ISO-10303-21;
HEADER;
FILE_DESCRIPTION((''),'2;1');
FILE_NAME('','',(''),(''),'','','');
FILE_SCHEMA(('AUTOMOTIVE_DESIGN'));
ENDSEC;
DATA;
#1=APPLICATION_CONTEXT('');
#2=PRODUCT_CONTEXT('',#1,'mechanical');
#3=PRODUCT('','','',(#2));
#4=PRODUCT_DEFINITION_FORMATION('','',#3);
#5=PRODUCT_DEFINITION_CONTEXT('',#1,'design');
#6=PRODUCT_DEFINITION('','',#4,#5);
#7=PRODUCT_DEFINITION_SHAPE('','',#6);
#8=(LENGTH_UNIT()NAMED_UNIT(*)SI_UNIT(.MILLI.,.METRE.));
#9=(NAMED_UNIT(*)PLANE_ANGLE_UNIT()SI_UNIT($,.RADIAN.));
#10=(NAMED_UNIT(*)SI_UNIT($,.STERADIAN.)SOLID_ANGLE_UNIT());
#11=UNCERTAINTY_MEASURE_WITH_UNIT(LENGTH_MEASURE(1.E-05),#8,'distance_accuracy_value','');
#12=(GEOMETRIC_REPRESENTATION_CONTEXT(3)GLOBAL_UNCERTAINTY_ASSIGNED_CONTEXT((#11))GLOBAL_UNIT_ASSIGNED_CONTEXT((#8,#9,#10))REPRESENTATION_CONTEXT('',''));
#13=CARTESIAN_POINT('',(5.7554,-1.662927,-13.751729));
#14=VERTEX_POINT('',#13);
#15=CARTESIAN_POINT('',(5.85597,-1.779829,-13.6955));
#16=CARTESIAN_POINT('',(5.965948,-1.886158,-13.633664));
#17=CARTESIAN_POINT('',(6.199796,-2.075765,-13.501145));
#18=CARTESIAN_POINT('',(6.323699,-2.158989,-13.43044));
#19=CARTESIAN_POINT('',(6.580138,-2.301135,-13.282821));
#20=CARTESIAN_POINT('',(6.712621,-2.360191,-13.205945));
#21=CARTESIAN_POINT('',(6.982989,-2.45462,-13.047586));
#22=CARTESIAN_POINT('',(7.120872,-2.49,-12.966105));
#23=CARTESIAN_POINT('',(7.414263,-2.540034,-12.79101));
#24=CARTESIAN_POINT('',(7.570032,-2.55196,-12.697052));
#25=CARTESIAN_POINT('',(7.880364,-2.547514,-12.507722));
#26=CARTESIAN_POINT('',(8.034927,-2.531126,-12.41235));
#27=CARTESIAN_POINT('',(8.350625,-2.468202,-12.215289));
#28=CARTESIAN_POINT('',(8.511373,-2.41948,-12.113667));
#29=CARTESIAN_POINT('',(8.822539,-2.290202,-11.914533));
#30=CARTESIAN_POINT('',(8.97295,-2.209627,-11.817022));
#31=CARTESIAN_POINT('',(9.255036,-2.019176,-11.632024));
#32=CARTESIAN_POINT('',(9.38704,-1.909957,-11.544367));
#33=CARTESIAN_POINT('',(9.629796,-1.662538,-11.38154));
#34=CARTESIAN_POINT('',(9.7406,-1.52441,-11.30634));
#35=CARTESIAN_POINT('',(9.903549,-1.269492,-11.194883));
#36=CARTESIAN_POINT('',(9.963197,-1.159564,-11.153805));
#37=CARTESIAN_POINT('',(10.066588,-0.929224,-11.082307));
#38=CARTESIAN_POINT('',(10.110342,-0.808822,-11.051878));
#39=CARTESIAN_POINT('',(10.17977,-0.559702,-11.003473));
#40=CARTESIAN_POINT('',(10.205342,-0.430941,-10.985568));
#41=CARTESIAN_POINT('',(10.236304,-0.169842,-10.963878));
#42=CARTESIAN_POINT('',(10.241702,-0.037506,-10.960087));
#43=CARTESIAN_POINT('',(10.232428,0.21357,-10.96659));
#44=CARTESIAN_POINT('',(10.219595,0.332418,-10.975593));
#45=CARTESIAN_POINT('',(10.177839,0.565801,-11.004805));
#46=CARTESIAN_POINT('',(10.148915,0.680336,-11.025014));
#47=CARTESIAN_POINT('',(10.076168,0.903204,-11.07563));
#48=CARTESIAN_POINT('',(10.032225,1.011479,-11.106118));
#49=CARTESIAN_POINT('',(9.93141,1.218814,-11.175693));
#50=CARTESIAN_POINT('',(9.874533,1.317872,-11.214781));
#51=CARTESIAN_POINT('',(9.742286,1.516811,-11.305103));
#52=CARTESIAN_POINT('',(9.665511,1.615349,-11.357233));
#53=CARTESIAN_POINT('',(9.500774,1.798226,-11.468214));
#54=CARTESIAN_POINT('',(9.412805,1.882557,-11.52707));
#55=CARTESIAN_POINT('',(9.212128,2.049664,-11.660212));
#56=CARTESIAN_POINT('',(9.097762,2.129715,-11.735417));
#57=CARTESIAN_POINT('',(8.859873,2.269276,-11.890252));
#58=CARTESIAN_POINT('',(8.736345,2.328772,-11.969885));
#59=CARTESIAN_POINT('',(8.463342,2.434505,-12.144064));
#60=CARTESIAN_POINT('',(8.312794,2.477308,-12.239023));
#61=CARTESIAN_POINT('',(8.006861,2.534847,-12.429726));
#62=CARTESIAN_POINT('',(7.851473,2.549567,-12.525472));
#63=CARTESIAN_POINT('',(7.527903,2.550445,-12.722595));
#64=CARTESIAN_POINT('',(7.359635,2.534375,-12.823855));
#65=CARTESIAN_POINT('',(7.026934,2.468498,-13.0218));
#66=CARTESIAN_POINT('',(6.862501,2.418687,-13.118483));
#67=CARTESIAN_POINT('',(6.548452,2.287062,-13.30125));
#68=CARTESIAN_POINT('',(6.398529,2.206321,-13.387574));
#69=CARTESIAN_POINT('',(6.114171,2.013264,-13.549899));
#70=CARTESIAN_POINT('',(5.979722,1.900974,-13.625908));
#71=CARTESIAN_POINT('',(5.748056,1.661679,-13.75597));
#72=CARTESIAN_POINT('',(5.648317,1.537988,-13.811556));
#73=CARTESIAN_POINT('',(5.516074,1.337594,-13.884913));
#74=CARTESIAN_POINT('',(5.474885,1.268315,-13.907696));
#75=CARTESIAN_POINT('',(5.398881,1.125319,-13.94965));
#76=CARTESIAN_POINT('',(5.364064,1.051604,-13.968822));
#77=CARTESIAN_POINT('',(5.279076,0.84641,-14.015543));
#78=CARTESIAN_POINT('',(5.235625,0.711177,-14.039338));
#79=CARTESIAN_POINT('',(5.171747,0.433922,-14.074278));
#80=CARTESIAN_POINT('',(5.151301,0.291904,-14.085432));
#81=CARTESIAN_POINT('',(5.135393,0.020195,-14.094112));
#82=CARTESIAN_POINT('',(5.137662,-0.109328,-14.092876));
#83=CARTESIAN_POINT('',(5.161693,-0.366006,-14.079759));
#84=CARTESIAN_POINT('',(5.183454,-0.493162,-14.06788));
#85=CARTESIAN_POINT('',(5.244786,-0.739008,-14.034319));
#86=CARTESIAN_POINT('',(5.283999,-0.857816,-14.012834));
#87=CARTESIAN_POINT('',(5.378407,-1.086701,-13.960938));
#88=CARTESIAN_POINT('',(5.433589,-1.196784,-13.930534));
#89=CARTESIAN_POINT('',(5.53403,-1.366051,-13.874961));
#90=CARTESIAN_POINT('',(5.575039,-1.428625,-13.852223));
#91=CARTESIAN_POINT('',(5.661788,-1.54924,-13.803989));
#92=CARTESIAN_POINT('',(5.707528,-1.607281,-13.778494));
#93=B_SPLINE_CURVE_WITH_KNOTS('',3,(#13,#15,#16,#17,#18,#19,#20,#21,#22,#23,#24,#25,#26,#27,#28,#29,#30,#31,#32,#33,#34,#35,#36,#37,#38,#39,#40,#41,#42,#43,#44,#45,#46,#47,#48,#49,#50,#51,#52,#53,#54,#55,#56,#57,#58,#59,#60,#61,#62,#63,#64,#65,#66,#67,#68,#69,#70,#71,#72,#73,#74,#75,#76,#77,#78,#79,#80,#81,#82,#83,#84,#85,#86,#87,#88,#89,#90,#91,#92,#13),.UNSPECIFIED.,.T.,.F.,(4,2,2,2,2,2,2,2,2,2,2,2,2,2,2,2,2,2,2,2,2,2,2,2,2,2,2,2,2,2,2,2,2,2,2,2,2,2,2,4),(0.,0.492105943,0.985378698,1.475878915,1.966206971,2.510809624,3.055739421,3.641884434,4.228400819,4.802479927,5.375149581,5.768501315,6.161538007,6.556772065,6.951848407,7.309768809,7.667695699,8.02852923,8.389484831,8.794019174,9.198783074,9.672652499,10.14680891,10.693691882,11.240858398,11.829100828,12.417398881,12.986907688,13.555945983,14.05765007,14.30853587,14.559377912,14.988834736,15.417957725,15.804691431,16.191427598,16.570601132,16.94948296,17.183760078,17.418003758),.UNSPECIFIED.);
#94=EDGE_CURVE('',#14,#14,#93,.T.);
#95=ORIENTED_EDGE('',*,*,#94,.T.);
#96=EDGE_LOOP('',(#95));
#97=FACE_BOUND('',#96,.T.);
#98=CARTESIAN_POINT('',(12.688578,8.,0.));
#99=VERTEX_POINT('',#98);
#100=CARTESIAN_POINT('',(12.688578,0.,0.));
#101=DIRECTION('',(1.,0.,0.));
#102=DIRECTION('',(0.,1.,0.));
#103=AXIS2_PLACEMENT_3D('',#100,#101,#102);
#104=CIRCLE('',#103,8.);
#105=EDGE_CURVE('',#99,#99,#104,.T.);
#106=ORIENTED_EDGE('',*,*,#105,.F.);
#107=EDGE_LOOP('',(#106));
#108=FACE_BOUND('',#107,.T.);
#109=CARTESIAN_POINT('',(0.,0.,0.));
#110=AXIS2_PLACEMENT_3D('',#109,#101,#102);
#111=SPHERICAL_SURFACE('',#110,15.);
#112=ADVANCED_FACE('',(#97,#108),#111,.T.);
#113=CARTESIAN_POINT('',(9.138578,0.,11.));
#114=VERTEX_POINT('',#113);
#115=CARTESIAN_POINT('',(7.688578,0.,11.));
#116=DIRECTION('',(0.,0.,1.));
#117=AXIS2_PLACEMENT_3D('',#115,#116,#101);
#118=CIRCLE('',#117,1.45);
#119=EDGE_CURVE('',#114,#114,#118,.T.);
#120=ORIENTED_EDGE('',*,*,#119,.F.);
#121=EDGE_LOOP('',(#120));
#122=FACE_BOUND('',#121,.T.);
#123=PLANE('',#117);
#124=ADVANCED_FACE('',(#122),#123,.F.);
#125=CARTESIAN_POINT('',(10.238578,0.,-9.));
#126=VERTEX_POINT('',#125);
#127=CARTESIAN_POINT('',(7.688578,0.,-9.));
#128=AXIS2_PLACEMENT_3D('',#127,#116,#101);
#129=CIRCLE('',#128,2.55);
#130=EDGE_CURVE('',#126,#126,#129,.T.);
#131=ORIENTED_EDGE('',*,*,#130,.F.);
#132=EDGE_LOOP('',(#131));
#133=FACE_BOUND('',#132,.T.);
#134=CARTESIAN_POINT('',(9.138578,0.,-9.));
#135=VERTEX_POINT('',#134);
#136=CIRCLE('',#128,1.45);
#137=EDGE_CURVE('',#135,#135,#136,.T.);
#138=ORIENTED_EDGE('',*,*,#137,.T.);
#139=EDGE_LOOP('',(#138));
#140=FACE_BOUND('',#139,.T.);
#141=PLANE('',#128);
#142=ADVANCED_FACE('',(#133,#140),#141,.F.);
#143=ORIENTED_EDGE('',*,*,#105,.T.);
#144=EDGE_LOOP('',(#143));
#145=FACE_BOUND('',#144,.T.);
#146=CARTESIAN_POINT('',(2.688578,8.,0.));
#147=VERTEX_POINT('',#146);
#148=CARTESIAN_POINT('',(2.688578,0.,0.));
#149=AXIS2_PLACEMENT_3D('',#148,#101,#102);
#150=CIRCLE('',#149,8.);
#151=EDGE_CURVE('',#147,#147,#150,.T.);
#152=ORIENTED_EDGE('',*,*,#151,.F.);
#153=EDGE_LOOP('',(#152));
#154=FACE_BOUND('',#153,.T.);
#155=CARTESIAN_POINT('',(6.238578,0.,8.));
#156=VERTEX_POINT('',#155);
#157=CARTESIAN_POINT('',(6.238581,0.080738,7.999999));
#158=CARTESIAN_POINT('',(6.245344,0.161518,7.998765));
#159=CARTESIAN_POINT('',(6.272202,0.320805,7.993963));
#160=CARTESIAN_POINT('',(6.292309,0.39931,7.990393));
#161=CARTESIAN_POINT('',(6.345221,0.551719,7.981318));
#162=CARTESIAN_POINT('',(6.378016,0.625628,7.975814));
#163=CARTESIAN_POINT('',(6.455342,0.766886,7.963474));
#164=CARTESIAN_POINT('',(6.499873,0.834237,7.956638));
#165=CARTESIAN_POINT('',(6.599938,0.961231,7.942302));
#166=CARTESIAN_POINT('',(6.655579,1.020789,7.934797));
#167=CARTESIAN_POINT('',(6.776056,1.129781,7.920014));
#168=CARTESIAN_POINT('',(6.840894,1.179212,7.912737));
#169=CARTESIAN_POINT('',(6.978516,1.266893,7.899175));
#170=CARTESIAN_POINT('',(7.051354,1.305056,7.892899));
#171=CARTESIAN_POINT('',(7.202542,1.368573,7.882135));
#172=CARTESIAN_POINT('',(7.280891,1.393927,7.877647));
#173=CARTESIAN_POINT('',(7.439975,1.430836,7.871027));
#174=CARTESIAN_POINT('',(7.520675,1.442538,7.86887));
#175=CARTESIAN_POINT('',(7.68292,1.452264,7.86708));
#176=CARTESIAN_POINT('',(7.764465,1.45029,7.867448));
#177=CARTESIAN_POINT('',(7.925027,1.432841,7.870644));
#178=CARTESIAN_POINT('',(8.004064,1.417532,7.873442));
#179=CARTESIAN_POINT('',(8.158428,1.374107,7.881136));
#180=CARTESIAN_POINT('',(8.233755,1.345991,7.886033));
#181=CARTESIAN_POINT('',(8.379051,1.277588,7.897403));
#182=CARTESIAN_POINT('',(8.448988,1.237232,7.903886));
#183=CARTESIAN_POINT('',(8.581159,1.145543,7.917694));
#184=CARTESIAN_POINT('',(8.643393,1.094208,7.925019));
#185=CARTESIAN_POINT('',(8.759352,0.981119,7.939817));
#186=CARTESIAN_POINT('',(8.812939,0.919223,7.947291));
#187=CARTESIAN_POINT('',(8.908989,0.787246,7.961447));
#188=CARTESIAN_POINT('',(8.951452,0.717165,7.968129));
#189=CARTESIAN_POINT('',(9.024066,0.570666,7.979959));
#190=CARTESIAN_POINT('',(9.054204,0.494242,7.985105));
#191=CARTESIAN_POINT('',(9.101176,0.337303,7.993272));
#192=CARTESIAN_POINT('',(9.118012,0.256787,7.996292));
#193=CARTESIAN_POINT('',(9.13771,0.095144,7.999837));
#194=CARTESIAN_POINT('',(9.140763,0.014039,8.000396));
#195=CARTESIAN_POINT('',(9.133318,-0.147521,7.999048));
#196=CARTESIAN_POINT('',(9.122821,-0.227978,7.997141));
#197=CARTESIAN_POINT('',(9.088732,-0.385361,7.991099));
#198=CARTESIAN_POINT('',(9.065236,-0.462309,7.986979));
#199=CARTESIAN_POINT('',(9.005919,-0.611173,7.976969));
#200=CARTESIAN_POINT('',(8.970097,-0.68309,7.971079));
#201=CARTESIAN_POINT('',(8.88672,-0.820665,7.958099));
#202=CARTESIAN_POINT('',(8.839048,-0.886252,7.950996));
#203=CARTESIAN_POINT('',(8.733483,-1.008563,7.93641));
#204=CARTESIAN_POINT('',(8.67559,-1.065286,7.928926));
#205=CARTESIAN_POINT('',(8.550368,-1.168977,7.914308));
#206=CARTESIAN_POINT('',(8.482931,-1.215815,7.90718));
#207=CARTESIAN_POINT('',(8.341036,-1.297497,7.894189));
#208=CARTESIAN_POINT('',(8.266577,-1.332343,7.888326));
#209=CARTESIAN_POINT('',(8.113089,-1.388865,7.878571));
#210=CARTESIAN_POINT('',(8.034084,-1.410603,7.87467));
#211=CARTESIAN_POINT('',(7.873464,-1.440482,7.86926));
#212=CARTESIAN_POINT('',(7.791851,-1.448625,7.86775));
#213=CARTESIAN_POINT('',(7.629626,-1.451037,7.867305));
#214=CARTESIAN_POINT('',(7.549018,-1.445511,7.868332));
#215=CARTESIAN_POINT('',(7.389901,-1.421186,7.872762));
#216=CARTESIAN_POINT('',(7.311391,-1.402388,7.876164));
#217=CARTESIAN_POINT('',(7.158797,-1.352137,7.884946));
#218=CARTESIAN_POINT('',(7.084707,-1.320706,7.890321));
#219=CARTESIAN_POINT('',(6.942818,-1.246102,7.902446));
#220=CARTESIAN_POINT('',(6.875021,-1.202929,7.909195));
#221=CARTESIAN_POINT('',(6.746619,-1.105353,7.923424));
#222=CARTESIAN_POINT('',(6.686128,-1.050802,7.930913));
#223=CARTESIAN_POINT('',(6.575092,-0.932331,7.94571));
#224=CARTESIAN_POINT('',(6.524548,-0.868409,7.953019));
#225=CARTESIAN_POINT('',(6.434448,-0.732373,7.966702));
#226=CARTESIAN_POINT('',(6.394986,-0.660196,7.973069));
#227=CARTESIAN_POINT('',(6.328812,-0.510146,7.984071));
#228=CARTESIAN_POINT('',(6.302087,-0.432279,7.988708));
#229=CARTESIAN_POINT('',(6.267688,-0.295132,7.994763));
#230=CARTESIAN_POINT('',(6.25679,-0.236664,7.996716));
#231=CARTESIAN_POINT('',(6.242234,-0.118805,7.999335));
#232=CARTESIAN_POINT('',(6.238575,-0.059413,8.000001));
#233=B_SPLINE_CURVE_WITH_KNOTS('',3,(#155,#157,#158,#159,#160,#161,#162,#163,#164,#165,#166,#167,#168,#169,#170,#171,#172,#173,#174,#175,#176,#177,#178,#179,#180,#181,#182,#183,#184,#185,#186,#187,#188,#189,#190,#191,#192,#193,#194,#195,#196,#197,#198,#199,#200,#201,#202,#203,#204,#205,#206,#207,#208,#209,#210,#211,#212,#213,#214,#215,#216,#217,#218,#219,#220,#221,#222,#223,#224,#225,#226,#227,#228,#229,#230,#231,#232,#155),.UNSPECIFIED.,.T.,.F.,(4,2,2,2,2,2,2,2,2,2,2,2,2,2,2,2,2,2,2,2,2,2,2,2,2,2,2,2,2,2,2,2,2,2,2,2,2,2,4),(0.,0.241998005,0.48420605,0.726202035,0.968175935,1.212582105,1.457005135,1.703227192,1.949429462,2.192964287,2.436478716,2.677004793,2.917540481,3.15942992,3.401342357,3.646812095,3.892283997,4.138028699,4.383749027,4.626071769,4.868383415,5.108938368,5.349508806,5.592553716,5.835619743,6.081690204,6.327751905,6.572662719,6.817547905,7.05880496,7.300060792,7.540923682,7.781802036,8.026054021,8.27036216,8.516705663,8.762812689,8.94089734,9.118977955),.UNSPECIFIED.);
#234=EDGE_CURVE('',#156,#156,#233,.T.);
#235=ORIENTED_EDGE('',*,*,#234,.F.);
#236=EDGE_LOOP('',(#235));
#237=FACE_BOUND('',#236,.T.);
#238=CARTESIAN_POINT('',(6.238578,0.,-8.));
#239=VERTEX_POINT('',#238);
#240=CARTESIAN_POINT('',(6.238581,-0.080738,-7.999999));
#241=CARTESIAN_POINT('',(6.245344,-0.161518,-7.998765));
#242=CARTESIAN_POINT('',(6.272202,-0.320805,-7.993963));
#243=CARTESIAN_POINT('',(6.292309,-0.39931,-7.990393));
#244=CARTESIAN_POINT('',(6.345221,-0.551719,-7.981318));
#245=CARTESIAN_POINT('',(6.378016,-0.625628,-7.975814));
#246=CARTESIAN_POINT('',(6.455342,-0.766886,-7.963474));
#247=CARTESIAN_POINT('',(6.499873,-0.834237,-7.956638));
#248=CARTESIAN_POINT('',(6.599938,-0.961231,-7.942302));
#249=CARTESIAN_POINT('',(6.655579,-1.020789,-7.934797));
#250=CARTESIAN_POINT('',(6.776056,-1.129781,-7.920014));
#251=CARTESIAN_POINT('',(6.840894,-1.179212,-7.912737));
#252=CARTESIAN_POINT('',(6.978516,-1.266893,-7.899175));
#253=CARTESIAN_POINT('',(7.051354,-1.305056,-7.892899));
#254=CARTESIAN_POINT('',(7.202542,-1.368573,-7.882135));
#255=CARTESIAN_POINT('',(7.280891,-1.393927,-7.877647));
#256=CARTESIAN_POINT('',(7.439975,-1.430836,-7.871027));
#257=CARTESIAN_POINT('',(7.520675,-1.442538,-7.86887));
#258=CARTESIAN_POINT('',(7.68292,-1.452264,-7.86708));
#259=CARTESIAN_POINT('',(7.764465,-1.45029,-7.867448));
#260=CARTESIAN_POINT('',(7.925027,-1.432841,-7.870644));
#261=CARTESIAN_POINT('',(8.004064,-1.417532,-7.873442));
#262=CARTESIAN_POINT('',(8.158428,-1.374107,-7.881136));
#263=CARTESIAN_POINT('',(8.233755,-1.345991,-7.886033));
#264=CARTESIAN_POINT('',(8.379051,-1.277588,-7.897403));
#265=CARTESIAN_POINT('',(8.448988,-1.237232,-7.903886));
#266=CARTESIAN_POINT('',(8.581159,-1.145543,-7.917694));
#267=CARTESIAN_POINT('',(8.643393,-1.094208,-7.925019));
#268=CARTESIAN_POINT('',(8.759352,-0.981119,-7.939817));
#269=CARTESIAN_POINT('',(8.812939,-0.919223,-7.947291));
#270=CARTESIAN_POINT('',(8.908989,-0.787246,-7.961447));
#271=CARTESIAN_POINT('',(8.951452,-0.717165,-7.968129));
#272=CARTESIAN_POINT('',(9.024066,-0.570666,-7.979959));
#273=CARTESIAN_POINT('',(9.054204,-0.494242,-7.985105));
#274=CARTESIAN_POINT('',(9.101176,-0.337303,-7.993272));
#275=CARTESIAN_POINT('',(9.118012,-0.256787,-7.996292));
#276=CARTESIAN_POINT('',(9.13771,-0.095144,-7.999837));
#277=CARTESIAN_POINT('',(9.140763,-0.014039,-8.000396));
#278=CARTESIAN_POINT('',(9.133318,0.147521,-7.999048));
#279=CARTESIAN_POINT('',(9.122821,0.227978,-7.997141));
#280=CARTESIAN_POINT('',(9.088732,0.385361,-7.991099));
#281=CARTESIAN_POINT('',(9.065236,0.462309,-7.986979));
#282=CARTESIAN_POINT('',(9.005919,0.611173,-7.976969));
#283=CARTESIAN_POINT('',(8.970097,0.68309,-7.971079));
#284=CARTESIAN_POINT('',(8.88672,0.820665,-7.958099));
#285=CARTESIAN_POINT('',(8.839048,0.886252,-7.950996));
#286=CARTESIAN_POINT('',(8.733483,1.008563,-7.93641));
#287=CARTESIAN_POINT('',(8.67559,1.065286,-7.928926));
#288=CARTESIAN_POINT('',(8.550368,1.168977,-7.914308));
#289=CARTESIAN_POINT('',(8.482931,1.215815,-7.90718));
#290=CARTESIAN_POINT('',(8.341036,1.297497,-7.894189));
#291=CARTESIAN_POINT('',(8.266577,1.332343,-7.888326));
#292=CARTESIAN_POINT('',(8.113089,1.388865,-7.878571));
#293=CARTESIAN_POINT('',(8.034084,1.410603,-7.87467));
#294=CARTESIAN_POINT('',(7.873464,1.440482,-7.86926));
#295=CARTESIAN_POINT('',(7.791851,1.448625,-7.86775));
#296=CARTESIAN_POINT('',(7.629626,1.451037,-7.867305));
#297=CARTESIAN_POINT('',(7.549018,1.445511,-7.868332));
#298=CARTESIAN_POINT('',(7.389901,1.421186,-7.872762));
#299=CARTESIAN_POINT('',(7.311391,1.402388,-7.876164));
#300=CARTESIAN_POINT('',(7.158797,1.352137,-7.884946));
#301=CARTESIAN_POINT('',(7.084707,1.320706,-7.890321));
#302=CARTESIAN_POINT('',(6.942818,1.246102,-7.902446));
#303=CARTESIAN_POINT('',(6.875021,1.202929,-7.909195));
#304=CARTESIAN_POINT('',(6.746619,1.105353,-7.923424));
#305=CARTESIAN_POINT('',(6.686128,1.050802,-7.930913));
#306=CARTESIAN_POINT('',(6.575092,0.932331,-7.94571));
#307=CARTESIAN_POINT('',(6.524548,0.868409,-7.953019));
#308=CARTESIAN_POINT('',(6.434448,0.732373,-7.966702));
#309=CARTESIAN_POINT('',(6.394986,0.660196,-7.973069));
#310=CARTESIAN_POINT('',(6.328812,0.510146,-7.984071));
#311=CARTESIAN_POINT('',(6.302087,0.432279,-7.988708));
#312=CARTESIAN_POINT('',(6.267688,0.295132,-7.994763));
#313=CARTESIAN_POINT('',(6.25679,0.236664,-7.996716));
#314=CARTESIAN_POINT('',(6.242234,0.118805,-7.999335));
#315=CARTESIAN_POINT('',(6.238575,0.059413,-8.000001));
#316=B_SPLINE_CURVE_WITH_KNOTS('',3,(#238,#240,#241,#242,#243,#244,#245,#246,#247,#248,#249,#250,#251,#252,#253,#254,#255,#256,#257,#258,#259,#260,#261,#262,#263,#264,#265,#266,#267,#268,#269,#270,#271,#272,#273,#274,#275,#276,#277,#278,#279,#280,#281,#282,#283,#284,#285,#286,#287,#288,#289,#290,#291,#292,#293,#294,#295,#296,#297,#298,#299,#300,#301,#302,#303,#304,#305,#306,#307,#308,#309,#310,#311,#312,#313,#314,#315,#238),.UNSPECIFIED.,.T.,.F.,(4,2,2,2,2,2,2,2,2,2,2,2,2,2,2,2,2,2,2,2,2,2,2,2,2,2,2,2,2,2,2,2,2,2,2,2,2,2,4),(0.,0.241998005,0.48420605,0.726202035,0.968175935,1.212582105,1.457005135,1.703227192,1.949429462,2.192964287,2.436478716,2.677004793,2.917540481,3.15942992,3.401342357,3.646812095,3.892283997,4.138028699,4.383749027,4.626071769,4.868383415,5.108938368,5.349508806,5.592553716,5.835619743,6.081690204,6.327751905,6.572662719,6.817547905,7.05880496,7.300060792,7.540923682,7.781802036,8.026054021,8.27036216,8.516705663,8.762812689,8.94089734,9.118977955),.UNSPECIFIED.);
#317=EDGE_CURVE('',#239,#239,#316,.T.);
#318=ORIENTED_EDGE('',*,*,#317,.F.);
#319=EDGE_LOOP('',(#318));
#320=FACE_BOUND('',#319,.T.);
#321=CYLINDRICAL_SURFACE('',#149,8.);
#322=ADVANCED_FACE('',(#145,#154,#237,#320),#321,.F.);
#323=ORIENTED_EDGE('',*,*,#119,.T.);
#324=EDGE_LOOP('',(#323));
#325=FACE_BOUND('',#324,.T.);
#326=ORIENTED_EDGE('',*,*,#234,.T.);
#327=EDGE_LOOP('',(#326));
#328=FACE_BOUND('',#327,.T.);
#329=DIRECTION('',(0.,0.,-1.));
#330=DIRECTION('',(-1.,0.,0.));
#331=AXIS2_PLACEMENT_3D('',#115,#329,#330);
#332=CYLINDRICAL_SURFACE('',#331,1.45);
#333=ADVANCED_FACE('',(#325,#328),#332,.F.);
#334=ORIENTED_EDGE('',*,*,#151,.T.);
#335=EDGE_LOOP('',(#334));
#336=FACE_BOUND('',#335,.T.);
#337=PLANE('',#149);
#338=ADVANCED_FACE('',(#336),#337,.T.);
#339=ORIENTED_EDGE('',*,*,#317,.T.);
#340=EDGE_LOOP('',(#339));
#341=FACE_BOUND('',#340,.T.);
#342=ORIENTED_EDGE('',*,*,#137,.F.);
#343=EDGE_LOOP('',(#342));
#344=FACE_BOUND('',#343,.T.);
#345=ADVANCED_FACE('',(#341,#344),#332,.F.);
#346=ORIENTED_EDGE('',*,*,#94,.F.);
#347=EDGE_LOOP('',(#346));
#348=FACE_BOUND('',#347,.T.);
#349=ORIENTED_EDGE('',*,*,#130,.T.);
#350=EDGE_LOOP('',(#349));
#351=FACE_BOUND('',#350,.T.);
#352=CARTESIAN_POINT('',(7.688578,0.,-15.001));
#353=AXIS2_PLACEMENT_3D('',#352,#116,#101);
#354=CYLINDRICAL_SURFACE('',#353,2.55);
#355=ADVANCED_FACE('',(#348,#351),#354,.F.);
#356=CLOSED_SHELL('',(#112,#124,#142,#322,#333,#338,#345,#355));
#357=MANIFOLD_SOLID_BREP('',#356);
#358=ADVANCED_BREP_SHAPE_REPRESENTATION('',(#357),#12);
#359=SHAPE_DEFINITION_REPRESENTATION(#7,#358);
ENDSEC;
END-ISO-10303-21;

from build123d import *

# Parameters (mm, degrees)
SKETCH_2_R               = 8
CUT_EXTRUDE_1_DEPTH      = 10
SKETCH_3_R               = 1.45
CUT_EXTRUDE_4_DEPTH      = 11
CUT_EXTRUDE_4_DEPTH_BACK = 9
CUT_EXTRUDE_5_REACH      = 8
SKETCH_5_R               = 2.55


with BuildPart() as part:
    # 草图1 → 旋转8 (revolve)
    with BuildSketch(Plane.XY):
        with BuildLine():
            Line((12.68857754, 8), (12.68857754, 0))
            Line((12.68857754, 0), (-15, 0))
            ThreePointArc((-15, 0), (-4.163612428, 14.410563193), (12.68857754, 8))
        make_face()
    revolve(axis=Axis((12.68857754, 0, 0), (-1, 0, 0)))

    # 草图2 → 切除-拉伸1 (cut)
    with BuildSketch(Plane(origin=(12.68857754, 0, 0), x_dir=(0, 0, -1), z_dir=(1, 0, 0))):
        Circle(SKETCH_2_R)
    extrude(amount=-CUT_EXTRUDE_1_DEPTH, mode=Mode.SUBTRACT)

    # 草图3 → 切除-拉伸4 (cut, two sides)
    with BuildSketch(Plane.XY) as cut_extrude_4_sk:
        with Locations((7.68857754, 0)):
            Circle(SKETCH_3_R)
    extrude(amount=CUT_EXTRUDE_4_DEPTH, mode=Mode.SUBTRACT)
    extrude(cut_extrude_4_sk.sketch, amount=-CUT_EXTRUDE_4_DEPTH_BACK, mode=Mode.SUBTRACT)

    # 草图5 → 切除-拉伸5 (cut, up to next)
    with BuildSketch(Plane.XY.offset(-9), mode=Mode.PRIVATE) as cut_extrude_5_sk1:
        with Locations((7.68857754, 0)):
            Circle(SKETCH_5_R)
    cut_extrude_5_tool1 = extrude(cut_extrude_5_sk1.sketch, amount=-CUT_EXTRUDE_5_REACH, mode=Mode.PRIVATE) & part.part
    add(cut_extrude_5_tool1.solids().sort_by_distance((7.688578, 0, -9))[0], mode=Mode.SUBTRACT)


solid = part.part
